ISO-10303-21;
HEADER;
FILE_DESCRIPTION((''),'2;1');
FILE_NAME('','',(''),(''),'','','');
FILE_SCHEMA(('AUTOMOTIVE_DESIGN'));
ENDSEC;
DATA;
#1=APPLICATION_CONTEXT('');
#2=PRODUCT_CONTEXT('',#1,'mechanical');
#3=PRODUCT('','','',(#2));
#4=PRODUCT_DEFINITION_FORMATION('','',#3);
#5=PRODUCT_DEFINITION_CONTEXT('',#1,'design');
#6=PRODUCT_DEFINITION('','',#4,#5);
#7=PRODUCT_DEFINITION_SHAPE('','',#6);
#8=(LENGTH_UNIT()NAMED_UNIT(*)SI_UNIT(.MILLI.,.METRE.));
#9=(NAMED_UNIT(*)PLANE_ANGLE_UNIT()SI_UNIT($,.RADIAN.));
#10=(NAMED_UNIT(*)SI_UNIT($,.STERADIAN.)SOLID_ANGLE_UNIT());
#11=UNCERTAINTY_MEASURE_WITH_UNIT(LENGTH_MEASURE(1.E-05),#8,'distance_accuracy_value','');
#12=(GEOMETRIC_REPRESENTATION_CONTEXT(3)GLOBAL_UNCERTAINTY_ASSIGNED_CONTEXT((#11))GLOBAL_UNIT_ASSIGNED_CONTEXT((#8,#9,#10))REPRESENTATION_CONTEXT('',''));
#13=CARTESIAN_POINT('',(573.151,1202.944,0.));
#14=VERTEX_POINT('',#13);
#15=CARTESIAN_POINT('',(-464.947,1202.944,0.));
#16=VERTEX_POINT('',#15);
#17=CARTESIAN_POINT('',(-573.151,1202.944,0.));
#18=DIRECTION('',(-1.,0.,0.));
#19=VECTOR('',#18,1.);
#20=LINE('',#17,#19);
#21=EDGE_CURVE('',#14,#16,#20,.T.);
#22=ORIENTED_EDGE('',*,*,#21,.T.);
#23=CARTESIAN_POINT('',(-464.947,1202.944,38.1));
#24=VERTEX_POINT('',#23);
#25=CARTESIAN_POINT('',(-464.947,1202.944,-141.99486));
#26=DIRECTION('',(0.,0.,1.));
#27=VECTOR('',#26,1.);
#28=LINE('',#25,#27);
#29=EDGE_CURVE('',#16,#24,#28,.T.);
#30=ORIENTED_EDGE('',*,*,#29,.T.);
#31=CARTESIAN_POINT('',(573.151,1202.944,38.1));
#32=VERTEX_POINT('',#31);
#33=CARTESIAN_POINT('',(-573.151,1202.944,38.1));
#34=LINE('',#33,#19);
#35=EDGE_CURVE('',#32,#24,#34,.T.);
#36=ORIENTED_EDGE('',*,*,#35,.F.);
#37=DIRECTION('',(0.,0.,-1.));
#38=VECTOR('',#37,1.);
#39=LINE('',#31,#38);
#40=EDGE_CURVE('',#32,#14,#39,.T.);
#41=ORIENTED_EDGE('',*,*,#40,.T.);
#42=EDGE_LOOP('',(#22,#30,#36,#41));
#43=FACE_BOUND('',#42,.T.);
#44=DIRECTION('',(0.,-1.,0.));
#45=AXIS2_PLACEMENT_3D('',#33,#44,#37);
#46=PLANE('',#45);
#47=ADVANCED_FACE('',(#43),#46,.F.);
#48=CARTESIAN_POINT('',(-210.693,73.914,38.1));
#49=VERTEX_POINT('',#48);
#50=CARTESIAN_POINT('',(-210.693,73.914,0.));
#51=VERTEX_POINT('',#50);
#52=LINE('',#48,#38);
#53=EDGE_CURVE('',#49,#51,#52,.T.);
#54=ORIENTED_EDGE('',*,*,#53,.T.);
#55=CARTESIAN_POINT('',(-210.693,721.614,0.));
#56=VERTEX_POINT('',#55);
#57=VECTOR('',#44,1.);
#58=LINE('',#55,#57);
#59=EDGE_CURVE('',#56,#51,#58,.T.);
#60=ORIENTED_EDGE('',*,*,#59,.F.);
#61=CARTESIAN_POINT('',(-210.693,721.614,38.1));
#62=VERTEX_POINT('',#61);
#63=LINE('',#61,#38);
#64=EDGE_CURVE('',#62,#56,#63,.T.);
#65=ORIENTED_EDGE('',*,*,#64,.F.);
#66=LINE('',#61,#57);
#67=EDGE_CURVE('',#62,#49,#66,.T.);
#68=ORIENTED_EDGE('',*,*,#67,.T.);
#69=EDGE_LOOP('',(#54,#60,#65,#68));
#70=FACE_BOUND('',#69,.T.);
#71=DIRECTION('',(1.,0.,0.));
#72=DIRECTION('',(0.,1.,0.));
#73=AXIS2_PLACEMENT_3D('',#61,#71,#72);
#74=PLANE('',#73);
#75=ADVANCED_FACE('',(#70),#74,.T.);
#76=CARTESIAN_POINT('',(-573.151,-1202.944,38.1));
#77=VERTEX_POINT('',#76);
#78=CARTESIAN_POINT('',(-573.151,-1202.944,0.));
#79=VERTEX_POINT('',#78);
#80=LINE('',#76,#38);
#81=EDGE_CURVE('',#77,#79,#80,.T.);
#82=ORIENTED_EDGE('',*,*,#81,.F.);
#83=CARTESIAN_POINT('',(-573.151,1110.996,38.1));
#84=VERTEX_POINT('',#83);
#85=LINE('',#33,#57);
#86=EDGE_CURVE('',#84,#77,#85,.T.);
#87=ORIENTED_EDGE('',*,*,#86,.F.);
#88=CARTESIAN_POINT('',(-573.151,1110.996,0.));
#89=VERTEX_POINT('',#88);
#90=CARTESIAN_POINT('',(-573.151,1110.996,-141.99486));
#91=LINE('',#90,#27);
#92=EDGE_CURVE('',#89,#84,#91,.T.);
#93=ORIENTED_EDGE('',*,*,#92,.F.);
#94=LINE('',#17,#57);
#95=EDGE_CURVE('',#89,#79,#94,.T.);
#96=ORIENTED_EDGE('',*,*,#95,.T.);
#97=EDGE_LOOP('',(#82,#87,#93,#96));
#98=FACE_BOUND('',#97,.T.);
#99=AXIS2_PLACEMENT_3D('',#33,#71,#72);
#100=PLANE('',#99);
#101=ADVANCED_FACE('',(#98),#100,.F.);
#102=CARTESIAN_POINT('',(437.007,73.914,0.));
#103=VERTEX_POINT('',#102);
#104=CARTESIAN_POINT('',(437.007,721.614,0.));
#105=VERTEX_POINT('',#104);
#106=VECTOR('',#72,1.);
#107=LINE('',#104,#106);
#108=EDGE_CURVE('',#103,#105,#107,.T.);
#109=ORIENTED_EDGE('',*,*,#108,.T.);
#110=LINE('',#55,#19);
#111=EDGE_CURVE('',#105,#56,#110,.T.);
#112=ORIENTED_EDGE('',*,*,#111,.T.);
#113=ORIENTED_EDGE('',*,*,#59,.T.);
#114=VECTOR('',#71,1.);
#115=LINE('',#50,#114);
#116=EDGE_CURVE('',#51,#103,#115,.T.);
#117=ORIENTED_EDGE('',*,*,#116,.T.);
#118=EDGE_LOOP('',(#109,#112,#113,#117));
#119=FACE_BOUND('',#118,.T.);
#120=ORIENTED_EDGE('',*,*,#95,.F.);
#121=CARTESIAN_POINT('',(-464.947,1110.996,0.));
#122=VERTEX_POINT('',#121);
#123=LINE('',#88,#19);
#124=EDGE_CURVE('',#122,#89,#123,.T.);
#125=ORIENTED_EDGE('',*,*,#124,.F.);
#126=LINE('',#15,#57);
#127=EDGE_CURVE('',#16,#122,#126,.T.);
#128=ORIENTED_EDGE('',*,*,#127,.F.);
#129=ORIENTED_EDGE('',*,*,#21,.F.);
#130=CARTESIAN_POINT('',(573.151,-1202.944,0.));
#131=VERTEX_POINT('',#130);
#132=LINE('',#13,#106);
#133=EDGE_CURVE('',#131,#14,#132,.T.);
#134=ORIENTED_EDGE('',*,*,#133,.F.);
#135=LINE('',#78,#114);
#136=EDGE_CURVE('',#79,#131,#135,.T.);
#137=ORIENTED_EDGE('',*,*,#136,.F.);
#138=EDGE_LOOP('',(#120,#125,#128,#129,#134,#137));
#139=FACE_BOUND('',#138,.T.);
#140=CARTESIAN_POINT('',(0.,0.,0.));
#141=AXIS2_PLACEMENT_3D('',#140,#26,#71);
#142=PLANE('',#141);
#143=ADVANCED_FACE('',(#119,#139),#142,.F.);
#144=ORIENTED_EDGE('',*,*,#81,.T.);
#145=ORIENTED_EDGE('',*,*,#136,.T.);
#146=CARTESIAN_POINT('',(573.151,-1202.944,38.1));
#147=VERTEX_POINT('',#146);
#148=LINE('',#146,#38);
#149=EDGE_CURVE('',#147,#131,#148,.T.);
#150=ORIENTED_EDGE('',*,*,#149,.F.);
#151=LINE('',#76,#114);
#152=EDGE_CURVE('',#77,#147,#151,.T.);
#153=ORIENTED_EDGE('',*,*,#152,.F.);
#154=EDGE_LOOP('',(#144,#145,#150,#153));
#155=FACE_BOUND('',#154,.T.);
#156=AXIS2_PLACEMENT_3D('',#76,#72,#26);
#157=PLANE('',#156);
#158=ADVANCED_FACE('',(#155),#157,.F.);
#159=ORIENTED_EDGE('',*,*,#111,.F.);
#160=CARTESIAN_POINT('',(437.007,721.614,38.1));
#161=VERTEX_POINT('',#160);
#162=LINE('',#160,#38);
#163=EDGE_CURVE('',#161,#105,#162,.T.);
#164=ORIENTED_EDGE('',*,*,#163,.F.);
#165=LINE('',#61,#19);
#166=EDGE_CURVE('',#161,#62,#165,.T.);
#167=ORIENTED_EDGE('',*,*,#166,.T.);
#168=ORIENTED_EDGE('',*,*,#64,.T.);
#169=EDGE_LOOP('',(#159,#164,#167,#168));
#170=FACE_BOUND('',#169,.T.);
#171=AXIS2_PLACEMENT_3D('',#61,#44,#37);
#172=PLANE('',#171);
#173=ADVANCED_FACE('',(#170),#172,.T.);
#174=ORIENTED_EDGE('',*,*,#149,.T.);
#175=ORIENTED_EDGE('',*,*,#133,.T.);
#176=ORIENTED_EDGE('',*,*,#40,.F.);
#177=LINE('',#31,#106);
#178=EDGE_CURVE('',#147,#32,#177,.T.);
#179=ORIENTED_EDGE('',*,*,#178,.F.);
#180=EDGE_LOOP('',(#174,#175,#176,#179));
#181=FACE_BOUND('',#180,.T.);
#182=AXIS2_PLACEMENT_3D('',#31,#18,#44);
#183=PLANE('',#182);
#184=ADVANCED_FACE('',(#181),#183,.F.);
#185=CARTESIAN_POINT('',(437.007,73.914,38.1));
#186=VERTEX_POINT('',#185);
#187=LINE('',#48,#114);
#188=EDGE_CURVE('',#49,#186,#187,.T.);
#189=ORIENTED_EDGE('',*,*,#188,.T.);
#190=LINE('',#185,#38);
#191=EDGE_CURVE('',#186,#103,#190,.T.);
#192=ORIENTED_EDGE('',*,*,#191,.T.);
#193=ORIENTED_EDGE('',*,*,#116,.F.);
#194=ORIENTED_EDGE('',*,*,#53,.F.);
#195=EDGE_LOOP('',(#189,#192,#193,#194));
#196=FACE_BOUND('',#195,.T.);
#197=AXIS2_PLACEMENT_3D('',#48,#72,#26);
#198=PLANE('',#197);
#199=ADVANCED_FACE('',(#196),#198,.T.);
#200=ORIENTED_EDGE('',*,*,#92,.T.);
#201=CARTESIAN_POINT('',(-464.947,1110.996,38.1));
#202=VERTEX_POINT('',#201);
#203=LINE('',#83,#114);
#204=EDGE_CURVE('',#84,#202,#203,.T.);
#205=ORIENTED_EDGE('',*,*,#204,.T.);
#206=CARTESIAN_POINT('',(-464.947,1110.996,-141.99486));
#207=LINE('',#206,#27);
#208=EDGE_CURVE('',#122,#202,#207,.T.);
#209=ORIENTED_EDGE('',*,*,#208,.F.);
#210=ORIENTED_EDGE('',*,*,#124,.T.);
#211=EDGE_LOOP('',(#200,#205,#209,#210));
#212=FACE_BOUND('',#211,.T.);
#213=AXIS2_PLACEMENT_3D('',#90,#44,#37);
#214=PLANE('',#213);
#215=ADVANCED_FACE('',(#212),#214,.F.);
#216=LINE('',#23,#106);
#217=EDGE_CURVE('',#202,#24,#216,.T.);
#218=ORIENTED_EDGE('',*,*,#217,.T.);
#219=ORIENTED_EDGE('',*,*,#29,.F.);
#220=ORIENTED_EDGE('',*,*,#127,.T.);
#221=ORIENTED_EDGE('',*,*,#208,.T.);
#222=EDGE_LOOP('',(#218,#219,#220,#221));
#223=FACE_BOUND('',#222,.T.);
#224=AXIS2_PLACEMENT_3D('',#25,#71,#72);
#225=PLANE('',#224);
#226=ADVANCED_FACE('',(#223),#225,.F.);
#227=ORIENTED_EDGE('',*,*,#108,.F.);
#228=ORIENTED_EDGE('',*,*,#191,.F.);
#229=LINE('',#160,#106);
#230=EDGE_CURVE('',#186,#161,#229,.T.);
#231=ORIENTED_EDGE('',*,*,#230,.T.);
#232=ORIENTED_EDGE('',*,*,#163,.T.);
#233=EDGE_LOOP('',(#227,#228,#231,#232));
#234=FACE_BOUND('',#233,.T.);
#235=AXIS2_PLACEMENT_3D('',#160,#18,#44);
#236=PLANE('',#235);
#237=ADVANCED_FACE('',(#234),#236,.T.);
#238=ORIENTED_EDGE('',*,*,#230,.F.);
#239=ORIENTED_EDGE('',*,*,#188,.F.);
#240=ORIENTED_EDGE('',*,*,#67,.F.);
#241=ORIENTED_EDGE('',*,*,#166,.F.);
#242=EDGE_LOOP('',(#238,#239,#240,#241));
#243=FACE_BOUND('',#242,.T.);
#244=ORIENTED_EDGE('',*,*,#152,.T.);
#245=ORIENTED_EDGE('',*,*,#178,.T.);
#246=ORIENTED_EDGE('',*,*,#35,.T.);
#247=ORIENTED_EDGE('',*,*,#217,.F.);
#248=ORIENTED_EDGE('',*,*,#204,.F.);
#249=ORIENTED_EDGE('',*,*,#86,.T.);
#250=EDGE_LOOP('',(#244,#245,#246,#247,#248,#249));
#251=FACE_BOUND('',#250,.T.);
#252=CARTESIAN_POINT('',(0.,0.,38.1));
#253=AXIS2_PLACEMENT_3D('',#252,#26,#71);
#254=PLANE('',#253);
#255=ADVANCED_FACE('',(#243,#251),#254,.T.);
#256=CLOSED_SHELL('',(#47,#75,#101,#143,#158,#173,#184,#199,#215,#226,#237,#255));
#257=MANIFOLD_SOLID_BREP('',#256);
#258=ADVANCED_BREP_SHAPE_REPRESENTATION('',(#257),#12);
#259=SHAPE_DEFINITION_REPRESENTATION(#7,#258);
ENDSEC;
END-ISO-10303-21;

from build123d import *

# Parameters (mm, degrees)
SKETCH1_W           = 1146.302
SKETCH1_H           = 2405.888
SKETCH1_W_2         = 647.7
SKETCH1_H_2         = 647.7
BOSS_EXTRUDE1_DEPTH = 38.1
SKETCH2_W           = 108.204
SKETCH2_H           = 91.948
CUT_EXTRUDE1_DEPTH  = 38.1


with BuildPart() as part:
    # Sketch1 → Boss-Extrude1 (new body)
    with BuildSketch(Plane.XY):
        Rectangle(SKETCH1_W, SKETCH1_H)
        with Locations((113.157, 397.764)):
            Rectangle(SKETCH1_W_2, SKETCH1_H_2, mode=Mode.SUBTRACT)
    extrude(amount=BOSS_EXTRUDE1_DEPTH)

    # Sketch2 → Cut-Extrude1 (cut)
    with BuildSketch(Plane.XY.offset(38.1)):
        with Locations((-519.049, 1156.97)):
            Rectangle(SKETCH2_W, SKETCH2_H)
    extrude(amount=-CUT_EXTRUDE1_DEPTH, mode=Mode.SUBTRACT)


solid = part.part
